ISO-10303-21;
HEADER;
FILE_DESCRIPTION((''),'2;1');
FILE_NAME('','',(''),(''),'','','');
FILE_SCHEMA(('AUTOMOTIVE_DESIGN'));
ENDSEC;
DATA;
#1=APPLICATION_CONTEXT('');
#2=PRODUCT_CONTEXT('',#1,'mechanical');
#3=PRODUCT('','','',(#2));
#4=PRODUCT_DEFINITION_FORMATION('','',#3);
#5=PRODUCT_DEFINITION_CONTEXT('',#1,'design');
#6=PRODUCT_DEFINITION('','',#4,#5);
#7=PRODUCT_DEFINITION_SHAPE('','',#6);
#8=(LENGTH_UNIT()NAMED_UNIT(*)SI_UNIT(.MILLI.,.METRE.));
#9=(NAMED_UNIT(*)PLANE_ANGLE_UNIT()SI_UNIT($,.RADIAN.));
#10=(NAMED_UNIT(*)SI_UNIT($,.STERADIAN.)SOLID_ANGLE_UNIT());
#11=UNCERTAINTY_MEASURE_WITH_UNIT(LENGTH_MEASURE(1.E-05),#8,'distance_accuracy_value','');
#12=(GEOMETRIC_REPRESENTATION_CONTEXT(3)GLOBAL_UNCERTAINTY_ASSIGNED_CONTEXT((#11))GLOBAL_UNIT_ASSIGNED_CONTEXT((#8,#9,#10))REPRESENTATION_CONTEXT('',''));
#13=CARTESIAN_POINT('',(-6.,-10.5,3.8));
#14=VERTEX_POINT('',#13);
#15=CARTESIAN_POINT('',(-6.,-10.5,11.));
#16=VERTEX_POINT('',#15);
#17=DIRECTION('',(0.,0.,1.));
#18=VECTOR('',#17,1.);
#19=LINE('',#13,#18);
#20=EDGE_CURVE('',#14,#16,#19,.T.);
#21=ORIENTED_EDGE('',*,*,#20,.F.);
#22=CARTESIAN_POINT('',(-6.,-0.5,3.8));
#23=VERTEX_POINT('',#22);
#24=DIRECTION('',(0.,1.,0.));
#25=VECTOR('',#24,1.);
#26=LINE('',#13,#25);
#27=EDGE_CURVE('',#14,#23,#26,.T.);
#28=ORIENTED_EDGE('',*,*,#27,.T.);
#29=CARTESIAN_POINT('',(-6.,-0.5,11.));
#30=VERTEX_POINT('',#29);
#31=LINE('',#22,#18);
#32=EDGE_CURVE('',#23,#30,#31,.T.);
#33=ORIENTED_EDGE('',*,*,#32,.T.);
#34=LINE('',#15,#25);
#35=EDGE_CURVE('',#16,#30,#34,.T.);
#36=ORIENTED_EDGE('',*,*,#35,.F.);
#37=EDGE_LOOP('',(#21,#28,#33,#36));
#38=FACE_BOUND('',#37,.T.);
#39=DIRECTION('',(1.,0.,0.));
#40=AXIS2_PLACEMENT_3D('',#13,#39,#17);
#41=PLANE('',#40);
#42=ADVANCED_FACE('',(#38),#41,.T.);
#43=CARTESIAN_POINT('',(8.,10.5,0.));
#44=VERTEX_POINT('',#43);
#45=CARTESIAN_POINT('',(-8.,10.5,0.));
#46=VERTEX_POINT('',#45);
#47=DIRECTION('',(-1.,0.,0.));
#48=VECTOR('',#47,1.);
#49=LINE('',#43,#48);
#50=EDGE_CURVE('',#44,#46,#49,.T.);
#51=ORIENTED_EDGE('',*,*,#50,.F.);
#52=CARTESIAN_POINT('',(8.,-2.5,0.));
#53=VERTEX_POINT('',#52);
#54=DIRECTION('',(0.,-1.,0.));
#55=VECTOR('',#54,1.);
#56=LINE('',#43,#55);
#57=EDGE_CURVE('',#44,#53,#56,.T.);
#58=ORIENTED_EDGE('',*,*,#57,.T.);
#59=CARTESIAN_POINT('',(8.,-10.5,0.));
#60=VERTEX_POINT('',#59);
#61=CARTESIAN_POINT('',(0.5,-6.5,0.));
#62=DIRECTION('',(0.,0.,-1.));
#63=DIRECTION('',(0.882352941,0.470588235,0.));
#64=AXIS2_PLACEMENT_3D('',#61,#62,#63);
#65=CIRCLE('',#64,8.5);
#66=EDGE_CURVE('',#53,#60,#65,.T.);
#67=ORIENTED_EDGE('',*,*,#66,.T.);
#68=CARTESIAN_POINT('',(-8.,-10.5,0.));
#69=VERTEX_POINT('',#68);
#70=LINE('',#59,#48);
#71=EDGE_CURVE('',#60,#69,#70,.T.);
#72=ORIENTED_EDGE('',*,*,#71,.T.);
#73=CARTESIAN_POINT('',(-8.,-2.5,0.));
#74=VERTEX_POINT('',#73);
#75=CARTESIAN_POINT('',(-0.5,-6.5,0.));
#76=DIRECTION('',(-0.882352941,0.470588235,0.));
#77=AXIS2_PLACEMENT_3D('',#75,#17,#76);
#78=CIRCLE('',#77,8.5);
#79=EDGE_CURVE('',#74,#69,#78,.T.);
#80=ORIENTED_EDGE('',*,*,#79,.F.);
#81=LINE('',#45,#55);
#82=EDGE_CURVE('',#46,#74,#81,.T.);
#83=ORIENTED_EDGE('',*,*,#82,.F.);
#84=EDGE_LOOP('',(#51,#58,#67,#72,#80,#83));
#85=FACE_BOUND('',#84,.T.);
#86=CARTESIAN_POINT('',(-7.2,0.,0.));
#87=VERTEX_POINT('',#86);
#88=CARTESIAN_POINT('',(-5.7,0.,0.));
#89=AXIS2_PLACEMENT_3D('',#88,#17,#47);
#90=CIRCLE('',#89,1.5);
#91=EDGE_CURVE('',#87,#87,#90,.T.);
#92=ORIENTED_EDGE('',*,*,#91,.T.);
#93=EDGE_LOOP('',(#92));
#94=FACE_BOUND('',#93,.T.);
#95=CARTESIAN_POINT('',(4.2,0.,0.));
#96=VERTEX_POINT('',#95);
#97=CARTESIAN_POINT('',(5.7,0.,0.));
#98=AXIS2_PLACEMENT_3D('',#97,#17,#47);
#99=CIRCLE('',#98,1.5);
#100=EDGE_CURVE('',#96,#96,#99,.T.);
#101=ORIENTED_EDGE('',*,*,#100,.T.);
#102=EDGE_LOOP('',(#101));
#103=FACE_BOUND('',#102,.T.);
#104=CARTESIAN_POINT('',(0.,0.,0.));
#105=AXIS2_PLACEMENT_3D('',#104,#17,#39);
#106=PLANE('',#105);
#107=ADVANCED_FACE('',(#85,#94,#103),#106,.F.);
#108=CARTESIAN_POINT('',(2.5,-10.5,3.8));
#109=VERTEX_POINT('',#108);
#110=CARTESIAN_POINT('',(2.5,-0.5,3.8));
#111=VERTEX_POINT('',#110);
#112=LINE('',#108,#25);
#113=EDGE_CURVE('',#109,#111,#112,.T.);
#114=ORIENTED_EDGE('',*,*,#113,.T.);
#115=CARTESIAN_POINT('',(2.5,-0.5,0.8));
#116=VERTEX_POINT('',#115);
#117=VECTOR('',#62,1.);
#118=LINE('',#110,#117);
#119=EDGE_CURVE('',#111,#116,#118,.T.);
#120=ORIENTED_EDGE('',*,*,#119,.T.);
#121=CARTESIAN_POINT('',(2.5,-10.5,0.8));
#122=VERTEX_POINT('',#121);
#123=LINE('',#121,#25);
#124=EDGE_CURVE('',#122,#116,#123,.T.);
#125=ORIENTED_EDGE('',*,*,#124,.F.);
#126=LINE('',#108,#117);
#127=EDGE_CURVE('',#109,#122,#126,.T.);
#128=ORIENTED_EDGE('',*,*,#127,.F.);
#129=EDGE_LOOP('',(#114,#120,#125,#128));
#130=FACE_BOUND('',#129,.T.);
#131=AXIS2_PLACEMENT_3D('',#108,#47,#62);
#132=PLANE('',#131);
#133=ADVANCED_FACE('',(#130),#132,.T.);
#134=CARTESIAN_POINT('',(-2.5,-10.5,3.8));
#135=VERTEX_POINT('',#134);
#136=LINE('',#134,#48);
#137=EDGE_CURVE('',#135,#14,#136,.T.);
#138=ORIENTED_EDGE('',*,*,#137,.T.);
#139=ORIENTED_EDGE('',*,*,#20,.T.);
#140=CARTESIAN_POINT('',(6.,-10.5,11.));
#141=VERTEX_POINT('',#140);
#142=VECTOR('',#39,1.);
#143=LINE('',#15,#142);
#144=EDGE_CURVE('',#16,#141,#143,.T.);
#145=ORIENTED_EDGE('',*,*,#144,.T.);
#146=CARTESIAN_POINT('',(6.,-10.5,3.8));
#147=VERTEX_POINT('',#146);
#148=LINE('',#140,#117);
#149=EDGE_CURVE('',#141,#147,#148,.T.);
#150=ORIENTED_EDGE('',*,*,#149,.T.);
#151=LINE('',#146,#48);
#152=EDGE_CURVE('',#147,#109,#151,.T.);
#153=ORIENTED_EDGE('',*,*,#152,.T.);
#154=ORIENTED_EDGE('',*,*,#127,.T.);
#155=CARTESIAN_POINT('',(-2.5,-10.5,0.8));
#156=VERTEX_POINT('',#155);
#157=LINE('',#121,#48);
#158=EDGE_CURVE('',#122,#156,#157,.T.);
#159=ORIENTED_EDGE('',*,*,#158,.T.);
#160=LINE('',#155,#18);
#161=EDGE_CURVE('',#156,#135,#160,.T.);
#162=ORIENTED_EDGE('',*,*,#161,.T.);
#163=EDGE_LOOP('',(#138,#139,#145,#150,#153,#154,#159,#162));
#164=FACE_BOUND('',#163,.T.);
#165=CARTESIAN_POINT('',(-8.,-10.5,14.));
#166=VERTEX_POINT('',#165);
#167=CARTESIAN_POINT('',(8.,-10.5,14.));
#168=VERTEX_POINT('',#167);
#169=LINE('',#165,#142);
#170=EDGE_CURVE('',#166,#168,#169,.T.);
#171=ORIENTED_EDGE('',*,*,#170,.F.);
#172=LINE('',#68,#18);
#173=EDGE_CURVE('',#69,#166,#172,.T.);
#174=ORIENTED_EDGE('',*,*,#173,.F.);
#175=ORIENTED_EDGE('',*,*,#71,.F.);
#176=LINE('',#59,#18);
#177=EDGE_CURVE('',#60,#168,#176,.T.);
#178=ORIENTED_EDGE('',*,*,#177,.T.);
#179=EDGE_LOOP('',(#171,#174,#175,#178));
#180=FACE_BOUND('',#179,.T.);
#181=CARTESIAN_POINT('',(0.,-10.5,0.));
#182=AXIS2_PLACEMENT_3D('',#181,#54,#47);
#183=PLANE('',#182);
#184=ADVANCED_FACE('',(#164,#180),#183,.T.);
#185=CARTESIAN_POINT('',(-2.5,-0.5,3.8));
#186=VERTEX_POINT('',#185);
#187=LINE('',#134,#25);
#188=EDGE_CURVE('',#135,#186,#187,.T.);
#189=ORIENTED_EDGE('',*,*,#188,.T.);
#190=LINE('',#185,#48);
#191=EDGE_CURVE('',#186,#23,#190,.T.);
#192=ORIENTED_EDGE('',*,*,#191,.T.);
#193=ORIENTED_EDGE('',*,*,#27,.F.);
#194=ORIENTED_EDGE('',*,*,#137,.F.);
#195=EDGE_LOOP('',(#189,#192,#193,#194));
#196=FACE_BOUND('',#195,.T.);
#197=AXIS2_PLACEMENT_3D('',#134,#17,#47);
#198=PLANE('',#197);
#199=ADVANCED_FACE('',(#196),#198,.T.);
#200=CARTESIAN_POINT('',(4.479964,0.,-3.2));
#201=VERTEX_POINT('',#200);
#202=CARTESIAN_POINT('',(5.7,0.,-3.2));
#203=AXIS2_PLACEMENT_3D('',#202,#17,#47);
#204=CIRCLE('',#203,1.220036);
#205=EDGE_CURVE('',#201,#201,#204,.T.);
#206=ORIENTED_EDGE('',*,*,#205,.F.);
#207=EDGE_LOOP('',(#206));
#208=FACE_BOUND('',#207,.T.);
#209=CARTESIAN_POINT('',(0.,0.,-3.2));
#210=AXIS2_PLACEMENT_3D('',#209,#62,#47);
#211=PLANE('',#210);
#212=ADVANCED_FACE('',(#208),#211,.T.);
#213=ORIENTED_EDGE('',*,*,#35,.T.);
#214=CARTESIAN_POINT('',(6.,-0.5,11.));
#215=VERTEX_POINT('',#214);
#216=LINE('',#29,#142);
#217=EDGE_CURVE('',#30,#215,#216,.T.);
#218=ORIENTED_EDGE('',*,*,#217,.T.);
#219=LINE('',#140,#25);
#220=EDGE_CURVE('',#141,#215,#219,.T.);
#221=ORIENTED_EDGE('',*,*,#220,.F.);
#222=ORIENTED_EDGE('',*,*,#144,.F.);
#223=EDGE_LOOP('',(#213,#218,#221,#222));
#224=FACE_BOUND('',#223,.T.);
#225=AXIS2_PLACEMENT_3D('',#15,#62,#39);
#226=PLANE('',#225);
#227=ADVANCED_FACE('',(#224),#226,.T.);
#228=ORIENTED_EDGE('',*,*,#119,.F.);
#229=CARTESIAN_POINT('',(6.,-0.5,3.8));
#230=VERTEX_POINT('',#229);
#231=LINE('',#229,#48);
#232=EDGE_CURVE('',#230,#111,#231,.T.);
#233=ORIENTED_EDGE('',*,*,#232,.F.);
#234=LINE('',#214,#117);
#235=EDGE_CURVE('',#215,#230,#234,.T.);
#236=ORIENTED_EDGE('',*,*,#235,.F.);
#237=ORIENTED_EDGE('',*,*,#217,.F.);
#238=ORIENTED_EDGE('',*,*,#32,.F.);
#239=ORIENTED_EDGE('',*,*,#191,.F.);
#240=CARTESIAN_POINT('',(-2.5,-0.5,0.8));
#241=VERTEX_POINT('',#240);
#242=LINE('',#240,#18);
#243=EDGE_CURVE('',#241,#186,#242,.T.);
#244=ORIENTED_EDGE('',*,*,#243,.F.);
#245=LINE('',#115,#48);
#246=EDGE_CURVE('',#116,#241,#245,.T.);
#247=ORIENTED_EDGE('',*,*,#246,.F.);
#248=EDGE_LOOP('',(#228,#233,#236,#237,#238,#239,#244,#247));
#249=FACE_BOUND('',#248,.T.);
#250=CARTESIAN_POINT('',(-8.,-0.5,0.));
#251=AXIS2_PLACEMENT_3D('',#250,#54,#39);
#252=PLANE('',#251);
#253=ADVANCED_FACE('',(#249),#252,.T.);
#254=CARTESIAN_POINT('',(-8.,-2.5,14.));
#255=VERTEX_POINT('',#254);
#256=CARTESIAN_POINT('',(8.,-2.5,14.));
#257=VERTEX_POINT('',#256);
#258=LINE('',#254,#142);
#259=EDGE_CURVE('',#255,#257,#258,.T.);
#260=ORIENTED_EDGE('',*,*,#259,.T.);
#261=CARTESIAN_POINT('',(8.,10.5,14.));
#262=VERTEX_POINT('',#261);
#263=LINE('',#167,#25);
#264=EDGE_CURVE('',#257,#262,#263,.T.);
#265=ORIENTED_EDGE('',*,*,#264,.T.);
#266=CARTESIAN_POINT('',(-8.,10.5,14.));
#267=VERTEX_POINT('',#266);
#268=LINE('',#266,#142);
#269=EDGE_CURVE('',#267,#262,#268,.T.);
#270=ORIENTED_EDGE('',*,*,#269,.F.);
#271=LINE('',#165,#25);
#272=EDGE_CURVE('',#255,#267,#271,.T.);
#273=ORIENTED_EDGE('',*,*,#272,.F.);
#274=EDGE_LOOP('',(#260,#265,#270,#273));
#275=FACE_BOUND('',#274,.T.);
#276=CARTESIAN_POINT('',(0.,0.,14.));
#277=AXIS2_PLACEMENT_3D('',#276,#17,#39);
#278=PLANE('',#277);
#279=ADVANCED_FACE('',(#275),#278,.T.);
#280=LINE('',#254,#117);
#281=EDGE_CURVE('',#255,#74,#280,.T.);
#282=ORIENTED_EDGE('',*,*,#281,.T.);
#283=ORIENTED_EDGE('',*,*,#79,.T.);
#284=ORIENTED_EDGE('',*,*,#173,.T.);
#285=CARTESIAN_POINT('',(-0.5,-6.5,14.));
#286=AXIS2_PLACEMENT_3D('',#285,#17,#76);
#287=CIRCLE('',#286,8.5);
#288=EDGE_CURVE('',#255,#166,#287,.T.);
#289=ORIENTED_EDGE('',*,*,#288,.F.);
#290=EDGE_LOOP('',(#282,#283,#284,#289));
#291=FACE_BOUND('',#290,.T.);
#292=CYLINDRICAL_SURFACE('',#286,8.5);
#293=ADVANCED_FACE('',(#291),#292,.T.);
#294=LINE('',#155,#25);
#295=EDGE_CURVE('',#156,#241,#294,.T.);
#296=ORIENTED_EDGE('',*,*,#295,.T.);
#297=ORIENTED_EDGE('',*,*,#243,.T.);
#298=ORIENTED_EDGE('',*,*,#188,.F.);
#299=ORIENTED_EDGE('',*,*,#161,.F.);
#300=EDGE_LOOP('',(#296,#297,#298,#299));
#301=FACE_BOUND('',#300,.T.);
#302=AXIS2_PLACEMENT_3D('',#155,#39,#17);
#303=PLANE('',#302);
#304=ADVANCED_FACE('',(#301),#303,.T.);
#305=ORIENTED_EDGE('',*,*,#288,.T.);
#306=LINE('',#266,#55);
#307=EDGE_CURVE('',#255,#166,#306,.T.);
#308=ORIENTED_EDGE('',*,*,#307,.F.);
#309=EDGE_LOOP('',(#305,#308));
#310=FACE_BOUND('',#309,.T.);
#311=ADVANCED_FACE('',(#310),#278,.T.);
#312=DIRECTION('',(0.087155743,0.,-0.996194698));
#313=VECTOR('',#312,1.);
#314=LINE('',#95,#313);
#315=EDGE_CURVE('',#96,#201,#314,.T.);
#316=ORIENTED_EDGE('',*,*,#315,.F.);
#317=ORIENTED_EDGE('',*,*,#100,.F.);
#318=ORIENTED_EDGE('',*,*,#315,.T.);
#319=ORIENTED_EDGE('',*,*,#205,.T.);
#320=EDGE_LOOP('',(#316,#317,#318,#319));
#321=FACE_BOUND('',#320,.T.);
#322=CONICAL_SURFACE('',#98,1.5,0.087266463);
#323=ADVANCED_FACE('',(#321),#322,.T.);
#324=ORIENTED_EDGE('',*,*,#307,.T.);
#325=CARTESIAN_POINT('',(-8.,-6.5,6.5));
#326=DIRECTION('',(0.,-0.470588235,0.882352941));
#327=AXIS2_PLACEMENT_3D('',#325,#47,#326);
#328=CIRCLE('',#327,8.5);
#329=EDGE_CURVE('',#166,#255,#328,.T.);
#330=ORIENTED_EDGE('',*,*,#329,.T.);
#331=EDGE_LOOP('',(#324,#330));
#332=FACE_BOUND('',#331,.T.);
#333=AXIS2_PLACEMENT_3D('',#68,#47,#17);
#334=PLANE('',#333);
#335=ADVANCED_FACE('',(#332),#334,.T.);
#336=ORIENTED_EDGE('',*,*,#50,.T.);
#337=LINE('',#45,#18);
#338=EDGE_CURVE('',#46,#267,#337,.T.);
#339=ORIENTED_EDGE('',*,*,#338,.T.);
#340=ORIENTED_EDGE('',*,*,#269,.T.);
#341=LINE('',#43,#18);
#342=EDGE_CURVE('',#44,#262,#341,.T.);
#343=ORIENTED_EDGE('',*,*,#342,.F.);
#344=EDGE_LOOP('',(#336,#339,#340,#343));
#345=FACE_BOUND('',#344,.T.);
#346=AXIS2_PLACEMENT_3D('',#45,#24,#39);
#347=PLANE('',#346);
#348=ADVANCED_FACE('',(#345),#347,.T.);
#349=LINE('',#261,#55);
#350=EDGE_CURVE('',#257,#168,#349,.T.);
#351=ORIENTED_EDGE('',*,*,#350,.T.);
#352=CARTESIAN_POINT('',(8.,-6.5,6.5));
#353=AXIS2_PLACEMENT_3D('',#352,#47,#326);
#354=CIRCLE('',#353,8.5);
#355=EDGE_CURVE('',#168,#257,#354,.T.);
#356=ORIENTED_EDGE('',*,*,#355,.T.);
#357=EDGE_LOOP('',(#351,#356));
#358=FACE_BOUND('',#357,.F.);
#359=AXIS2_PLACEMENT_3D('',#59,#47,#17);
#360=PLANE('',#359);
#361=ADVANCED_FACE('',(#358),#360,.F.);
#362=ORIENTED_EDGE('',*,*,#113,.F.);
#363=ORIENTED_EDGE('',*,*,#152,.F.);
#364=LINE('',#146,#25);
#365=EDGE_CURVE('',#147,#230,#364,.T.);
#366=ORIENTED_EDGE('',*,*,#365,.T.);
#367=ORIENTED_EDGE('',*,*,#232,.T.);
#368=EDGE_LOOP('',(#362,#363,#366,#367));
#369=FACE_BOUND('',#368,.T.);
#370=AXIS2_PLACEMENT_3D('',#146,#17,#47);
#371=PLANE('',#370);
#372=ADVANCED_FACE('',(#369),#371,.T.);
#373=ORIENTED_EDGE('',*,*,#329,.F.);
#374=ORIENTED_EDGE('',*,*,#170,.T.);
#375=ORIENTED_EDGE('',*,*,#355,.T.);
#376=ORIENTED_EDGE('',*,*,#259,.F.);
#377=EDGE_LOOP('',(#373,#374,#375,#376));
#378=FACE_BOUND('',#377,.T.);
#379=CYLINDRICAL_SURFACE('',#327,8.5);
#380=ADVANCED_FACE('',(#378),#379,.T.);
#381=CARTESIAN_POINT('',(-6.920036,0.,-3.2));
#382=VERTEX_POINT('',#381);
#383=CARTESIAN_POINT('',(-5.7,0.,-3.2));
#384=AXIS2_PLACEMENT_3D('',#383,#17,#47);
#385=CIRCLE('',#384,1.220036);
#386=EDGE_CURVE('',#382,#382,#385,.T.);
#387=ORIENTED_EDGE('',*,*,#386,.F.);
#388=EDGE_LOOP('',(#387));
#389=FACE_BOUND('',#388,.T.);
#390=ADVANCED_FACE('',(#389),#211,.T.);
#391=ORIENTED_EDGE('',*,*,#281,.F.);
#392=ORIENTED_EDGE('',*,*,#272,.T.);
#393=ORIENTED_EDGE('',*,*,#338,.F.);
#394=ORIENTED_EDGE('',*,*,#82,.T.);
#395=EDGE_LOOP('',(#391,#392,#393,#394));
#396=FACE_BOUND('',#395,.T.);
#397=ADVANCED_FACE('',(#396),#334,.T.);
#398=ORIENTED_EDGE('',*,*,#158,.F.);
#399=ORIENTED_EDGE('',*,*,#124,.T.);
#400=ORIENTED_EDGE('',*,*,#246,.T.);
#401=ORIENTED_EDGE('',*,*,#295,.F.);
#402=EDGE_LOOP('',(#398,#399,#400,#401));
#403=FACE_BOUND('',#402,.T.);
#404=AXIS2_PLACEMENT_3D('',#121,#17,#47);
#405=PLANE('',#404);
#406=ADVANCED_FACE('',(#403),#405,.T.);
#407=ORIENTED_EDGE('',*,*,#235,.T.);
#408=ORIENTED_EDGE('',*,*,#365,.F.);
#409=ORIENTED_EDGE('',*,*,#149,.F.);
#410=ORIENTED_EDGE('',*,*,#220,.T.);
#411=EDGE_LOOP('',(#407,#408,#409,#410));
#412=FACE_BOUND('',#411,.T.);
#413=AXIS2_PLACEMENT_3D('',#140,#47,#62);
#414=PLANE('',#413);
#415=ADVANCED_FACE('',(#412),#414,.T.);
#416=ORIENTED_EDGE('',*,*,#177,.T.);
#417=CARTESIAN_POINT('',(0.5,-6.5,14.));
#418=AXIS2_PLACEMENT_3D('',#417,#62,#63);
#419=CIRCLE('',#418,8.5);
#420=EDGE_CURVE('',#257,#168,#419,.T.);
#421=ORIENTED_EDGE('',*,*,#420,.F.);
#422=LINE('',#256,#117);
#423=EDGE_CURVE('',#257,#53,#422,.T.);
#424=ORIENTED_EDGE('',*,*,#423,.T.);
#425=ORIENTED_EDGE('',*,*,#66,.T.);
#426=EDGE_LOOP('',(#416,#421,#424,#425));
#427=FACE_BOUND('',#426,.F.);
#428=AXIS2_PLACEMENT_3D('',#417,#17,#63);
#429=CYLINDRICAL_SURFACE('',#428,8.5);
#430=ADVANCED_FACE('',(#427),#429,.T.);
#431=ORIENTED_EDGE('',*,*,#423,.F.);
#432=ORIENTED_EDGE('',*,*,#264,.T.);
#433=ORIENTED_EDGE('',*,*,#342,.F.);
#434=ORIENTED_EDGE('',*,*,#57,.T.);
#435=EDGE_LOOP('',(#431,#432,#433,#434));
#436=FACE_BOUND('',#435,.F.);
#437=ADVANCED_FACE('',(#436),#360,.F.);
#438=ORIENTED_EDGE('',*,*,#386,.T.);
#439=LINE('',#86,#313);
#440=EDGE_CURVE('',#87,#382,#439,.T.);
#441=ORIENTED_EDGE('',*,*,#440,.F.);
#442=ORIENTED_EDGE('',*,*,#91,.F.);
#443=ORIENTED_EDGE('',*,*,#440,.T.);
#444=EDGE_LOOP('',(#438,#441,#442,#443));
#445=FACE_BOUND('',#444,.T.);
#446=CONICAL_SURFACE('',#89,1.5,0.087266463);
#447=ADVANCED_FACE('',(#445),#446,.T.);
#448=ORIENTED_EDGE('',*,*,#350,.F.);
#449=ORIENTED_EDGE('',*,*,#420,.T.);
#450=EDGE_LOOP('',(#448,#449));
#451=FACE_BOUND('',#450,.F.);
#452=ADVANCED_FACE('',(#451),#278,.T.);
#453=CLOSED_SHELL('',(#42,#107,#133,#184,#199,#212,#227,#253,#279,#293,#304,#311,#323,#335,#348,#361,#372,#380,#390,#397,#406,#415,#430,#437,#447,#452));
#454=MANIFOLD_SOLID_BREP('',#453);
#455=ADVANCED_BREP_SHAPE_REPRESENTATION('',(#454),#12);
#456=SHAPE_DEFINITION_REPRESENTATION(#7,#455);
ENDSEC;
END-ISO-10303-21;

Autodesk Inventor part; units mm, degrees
ref_plane "YZ Plane" through (0, 0, 0) normal (1, 0, 0) x (0, 1, 0)
ref_plane "XZ Plane" through (0, 0, 0) normal (0, 1, 0) x (-1, 0, 0)
ref_plane "XY Plane" through (0, 0, 0) normal (0, 0, 1) x (1, 0, 0)
sketch "Skizze1" plane through (0, 0, 0) normal (0, 0, 1) x (1, 0, 0)
  line L0 (-8, 10.5) -> (8, 10.5)
  line L1 (8, 10.5) -> (8, -10.5)
  line L2 (8, -10.5) -> (-8, -10.5)
  line L3 (-8, -10.5) -> (-8, 10.5)
  line L4 (0, 14.7) -> (0, -14.7) projected
  line L5 (-11.2, 0) -> (11.2, 0) projected
  point P0 (0, 0)
  dimension "d0" = 16
  dimension "d2" = 21
extrude "Extrusion1" add sketch "Skizze1" along normal blind 14
sketch "Skizze2" plane through (-8, -10.5, 0) normal (0, -1, 0) x (1, 0, 0)
  line L0 (2, 11) -> (14, 11)
  line L1 (14, 11) -> (14, 3.8)
  line L2 (2, 3.8) -> (2, 11)
  line L3 (10.5, 3.8) -> (10.5, 0.8)
  line L4 (10.5, 0.8) -> (5.5, 0.8)
  line L5 (5.5, 0.8) -> (5.5, 3.8)
  line L6 (16, 0) -> (0, 0) projected
  line L7 (16, 0) -> (16, 14) projected
  line L8 (0, 14) -> (16, 14) projected
  line L9 (0, 0) -> (0, 14) projected
  line L10 (8, 14) -> (8, 0) construction
  line L11 (14, 3.8) -> (10.5, 3.8)
  line L12 (5.5, 3.8) -> (2, 3.8)
  dimension "d5" = 3
  dimension "d6" = 0.8
  dimension "d8" = 2
  dimension "d9" = 5
  dimension "d10" = 3
extrude "Extrusion2" cut sketch "Skizze2" against normal blind 10 contours L0 L1 L11 L3 L4 L5 L12 L2
sketch "Skizze3" plane through (0, 0, 0) normal (0, 0, -1) x (-1, 0, 0)
  line L0 (-8, -10.5) -> (8, -10.5) projected
  line L1 (-8, 10.5) -> (-8, -10.5) projected
  line L2 (8, -10.5) -> (8, 10.5) projected
  line L3 (-5.7, 0) -> (5.7, 0) construction
  line L4 (0, -14.7) -> (0, 14.7) construction
  circle A0 centre (-5.7, 0) radius 1.5
  circle A1 centre (5.7, 0) radius 1.5
  point P0 (0, 0)
  dimension "d13" = 10.5
  dimension "d14" = 11.4
  dimension "d15" = 3
  dimension "d16" = 3
extrude "Extrusion3" add sketch "Skizze3" along normal blind 3.2 draft -5
sketch "Skizze4" plane through (-8, -10.5, 0) normal (-1, 0, 0) x (0, 0, 1)
  line L0 (14, 21) -> (14, 0) projected
  arc A0 (14, 0) -> (14, 8) centre (6.5, 4) ccw
  line L1 (14, 0) -> (14, 8)
  point P0 (0, 10.5)
  dimension "d19" = 1
  dimension "d20" = 8
extrude "Extrusion4" add sketch "Skizze4" against normal blind 16
sketch "Skizze5" plane through (0, 0, 14) normal (0, 0, 1) x (1, 0, 0)
  line L0 (-8, 10.5) -> (-8, -10.5) projected
  line L1 (8, -10.5) -> (8, 10.5) projected
  arc A0 (-8, -2.5) -> (-8, -10.5) centre (-0.5, -6.5) ccw
  line L2 (-8, -10.5) -> (-8, -2.5)
  point P0 (0, 0)
  dimension "d23" = 1
  dimension "d24" = 8
extrude "Extrusion5" add sketch "Skizze5" against normal blind 14
mirror "Spiegeln1" about plane through (0, 0, 0) normal (1, 0, 0) of "Extrusion5"
properties part number "RJ45 Socket" material "Aluminium 6061"
